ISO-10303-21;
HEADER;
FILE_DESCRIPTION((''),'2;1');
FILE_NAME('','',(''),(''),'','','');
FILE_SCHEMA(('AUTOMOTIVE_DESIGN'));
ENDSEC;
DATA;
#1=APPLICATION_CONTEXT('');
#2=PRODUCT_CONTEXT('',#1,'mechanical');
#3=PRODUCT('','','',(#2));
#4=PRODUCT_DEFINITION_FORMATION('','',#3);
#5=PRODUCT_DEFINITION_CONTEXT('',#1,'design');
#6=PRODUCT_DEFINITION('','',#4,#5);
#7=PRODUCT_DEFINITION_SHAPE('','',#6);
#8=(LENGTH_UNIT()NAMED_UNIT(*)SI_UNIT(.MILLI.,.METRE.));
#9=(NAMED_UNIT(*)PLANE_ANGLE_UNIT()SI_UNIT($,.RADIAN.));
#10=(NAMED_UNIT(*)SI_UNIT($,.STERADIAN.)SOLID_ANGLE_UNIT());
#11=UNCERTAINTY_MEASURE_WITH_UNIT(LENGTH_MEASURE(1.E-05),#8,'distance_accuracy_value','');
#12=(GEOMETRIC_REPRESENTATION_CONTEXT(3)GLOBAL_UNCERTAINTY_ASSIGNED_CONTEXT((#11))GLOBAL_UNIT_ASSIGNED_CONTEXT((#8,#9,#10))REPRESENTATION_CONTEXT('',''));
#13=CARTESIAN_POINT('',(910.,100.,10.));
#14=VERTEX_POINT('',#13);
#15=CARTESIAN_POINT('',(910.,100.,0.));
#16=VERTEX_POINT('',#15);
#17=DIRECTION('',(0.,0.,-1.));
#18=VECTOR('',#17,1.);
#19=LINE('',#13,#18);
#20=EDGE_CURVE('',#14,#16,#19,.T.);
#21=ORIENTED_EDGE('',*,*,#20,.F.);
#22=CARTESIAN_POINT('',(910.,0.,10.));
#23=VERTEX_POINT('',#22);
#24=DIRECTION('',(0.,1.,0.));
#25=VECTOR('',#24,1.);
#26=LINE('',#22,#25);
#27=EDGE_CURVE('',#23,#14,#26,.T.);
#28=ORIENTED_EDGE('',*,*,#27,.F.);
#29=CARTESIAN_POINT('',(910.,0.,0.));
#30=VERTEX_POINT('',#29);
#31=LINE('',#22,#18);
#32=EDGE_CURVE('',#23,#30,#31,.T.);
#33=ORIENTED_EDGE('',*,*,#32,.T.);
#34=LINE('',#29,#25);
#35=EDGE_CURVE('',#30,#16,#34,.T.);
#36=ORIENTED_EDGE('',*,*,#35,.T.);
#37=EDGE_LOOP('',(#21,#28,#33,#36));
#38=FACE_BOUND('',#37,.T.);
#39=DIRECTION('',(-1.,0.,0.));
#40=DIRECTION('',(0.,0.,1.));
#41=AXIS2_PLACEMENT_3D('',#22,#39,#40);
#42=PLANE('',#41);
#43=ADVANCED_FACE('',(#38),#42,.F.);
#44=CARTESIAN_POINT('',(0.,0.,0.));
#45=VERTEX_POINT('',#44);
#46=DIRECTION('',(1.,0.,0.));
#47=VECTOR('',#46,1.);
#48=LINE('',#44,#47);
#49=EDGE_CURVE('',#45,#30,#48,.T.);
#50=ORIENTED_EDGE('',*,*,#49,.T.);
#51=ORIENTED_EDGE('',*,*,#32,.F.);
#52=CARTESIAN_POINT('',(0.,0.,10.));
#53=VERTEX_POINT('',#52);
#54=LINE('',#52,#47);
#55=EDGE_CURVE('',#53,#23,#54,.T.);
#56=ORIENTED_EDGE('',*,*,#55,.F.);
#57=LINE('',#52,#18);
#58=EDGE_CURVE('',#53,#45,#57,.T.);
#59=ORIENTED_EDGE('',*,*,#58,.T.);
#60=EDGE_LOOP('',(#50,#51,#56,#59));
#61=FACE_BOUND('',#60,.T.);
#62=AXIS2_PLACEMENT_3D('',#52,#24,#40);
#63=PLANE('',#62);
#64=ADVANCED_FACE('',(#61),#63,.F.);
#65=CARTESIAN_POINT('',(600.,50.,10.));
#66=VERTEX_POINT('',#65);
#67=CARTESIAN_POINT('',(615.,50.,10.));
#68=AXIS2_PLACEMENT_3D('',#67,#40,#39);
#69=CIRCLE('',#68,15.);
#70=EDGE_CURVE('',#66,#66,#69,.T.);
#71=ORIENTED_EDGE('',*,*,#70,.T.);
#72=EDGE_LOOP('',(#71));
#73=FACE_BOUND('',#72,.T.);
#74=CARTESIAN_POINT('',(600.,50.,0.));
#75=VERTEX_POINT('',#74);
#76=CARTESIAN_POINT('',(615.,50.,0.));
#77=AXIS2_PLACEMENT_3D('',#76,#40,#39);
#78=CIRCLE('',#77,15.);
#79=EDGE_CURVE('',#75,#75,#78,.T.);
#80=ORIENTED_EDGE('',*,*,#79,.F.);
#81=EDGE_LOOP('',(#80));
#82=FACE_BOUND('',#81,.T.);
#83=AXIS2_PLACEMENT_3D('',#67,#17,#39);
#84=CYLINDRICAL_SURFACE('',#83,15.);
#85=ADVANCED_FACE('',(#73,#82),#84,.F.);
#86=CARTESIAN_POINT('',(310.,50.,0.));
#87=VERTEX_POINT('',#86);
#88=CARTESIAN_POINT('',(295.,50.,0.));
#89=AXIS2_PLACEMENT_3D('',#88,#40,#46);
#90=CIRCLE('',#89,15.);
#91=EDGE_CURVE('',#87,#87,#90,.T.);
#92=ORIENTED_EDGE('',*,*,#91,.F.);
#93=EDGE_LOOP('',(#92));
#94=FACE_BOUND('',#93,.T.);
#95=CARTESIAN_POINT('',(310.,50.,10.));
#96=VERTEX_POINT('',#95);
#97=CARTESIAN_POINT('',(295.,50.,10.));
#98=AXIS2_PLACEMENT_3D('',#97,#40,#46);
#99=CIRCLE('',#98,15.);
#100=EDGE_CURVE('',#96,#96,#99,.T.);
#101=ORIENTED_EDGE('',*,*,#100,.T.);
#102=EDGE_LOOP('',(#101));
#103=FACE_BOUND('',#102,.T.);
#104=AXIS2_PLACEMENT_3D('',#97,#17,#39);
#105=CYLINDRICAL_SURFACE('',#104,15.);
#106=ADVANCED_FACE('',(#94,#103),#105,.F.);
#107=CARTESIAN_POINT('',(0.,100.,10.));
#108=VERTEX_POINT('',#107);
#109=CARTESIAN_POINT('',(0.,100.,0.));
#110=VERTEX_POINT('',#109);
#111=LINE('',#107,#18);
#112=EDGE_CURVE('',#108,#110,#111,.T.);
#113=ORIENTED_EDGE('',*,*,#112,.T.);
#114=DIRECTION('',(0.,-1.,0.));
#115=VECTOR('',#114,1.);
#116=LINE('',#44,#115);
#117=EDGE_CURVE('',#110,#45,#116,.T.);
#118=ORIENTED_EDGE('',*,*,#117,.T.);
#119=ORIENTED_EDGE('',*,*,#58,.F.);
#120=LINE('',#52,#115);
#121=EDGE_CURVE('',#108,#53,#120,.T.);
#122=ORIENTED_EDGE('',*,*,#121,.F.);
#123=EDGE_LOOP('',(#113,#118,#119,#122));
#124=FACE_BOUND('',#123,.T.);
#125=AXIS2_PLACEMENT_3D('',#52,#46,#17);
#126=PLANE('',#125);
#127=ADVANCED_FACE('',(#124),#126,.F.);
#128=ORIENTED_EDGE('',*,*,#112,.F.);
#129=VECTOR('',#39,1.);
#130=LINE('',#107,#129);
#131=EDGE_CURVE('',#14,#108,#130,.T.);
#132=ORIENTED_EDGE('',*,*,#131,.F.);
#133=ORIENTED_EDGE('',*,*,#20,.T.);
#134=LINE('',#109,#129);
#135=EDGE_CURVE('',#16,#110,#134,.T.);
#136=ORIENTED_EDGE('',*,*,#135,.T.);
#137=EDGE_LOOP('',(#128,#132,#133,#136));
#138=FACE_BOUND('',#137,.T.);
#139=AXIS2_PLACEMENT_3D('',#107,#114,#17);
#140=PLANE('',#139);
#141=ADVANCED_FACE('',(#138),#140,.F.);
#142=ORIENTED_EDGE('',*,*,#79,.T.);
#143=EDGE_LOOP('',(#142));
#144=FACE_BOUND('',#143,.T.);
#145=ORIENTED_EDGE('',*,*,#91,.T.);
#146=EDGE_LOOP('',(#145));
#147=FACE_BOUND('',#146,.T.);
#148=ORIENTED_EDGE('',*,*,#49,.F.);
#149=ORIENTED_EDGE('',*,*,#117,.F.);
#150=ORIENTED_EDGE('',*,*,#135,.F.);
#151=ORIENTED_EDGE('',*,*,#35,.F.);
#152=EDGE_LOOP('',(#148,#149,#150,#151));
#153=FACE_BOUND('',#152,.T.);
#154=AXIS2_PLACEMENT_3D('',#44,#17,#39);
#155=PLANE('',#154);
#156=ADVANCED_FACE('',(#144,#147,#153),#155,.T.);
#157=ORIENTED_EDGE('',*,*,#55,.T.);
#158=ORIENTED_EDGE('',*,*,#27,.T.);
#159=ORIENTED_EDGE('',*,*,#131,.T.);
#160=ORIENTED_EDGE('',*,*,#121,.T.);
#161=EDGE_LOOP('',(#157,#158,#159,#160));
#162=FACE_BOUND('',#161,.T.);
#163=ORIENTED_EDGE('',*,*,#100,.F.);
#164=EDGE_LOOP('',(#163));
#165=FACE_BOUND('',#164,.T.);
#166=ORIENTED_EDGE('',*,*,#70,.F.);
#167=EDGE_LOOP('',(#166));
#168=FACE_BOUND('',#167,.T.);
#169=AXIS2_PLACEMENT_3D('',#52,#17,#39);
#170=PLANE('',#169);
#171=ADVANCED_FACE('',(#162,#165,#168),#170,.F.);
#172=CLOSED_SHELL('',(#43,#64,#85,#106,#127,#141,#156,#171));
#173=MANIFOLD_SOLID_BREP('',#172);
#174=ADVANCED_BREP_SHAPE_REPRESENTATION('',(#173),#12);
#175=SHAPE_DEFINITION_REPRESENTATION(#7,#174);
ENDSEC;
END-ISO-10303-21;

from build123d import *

# Parameters (mm, degrees)
ESQUISSE1_W        = 910
ESQUISSE1_H        = 100
ESQUISSE1_R        = 15
BOSS_EXTRU_1_DEPTH = 10


with BuildPart() as part:
    # Esquisse1 → Boss.-Extru.1 (new body)
    with BuildSketch(Plane.XY):
        with Locations((455, 50)):
            Rectangle(ESQUISSE1_W, ESQUISSE1_H)
        with Locations((295, 50)):
            Circle(ESQUISSE1_R, mode=Mode.SUBTRACT)
        with Locations(Location((615, 50, 0), (0, 0, 180))):
            Circle(ESQUISSE1_R, mode=Mode.SUBTRACT)
    extrude(amount=BOSS_EXTRU_1_DEPTH)


solid = part.part
